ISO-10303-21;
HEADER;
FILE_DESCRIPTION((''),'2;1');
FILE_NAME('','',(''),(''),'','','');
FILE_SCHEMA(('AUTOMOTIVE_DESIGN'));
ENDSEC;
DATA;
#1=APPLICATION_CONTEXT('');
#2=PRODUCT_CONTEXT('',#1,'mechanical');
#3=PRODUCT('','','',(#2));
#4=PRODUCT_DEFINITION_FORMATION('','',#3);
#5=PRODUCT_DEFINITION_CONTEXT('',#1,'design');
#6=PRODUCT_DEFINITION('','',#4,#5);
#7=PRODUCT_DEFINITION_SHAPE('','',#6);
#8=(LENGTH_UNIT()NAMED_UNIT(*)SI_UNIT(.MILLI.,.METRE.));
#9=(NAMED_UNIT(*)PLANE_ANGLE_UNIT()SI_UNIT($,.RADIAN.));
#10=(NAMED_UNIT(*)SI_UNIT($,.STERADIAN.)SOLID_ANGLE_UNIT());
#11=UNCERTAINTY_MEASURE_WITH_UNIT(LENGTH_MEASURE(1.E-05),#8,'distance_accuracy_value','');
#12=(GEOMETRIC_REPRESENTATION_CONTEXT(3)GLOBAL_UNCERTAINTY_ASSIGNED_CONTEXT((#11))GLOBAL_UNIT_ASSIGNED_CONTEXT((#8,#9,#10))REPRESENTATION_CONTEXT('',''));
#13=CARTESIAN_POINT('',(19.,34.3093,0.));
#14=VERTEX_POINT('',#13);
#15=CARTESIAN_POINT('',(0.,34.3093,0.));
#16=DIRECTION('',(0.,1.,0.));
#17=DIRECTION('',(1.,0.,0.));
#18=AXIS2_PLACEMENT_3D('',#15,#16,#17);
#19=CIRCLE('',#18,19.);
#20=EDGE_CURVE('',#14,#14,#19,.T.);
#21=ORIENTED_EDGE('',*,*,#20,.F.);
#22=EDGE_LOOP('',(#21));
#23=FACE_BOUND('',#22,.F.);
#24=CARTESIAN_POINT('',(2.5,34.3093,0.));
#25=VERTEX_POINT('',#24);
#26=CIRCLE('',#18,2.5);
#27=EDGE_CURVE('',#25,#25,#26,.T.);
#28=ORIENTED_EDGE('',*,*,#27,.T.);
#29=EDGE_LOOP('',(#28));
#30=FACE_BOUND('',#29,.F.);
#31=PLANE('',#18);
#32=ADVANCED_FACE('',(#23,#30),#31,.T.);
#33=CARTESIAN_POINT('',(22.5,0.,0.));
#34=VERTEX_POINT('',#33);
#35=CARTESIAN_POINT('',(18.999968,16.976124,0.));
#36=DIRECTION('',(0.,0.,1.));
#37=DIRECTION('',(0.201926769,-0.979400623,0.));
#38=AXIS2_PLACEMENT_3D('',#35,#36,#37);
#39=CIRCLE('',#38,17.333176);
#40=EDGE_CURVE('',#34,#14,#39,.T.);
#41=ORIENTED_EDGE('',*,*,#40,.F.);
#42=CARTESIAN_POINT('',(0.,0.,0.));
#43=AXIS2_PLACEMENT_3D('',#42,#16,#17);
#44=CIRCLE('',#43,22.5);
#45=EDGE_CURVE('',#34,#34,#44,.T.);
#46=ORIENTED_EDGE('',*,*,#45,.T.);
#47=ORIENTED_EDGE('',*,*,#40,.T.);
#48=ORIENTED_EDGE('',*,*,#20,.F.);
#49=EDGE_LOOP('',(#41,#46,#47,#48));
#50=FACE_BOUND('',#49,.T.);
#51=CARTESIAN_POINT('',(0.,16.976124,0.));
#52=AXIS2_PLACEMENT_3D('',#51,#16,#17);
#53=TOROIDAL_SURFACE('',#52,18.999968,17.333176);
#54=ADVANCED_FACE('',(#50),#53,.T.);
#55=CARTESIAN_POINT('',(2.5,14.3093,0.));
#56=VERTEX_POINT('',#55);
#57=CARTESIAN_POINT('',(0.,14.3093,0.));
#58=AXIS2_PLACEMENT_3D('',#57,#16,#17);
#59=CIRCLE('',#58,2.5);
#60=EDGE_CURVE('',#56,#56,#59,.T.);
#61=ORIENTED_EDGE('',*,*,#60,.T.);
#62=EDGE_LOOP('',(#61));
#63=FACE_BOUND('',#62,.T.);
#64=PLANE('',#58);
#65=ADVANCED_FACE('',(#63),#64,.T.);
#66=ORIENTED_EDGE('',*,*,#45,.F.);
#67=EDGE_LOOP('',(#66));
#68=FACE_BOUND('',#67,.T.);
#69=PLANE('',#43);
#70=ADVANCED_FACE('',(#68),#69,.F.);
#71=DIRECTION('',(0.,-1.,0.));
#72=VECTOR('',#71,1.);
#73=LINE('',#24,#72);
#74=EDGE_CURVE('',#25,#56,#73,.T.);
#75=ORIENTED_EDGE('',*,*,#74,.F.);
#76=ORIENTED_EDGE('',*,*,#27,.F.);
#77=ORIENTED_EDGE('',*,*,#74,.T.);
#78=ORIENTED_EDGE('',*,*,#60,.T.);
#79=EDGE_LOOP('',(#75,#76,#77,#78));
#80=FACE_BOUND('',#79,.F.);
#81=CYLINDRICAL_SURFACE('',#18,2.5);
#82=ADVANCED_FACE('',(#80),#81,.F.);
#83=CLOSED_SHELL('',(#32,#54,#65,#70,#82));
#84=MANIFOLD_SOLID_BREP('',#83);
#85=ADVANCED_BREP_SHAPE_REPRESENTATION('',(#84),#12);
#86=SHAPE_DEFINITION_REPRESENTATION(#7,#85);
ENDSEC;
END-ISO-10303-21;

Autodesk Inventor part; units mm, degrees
ref_plane "YZ Plane" through (0, 0, 0) normal (1, 0, 0) x (0, 1, 0)
ref_plane "XZ Plane" through (0, 0, 0) normal (0, 1, 0) x (-1, 0, 0)
ref_plane "XY Plane" through (0, 0, 0) normal (0, 0, 1) x (1, 0, 0)
sketch "Sketch1" plane through (0, 0, 0) normal (0, 0, 1) x (1, 0, 0)
  line L0 (0, 0) -> (22.5, 0)
  line L1 (0, 0) -> (0, 34.3093)
  line L2 (0, 34.3093) -> (19, 34.3093)
  arc A0 (22.5, 0) -> (19, 34.3093) centre (19, 16.9761) ccw
  dimension "d1" = 22.5
  dimension "d2" = 19
revolve "Revolution1" add sketch "Sketch1" angle 360 about axis through (0, 0, 0) along (0, 1, 0)
sketch "Sketch2" plane through (0, 34.3093, 0) normal (0, 1, 0) x (1, 0, 0)
  circle A0 centre (0, 0) radius 2.5
  dimension "d4" = 5
extrude "Extrusion1" cut sketch "Sketch2" against normal blind 20
properties part number "antena_GPS"
